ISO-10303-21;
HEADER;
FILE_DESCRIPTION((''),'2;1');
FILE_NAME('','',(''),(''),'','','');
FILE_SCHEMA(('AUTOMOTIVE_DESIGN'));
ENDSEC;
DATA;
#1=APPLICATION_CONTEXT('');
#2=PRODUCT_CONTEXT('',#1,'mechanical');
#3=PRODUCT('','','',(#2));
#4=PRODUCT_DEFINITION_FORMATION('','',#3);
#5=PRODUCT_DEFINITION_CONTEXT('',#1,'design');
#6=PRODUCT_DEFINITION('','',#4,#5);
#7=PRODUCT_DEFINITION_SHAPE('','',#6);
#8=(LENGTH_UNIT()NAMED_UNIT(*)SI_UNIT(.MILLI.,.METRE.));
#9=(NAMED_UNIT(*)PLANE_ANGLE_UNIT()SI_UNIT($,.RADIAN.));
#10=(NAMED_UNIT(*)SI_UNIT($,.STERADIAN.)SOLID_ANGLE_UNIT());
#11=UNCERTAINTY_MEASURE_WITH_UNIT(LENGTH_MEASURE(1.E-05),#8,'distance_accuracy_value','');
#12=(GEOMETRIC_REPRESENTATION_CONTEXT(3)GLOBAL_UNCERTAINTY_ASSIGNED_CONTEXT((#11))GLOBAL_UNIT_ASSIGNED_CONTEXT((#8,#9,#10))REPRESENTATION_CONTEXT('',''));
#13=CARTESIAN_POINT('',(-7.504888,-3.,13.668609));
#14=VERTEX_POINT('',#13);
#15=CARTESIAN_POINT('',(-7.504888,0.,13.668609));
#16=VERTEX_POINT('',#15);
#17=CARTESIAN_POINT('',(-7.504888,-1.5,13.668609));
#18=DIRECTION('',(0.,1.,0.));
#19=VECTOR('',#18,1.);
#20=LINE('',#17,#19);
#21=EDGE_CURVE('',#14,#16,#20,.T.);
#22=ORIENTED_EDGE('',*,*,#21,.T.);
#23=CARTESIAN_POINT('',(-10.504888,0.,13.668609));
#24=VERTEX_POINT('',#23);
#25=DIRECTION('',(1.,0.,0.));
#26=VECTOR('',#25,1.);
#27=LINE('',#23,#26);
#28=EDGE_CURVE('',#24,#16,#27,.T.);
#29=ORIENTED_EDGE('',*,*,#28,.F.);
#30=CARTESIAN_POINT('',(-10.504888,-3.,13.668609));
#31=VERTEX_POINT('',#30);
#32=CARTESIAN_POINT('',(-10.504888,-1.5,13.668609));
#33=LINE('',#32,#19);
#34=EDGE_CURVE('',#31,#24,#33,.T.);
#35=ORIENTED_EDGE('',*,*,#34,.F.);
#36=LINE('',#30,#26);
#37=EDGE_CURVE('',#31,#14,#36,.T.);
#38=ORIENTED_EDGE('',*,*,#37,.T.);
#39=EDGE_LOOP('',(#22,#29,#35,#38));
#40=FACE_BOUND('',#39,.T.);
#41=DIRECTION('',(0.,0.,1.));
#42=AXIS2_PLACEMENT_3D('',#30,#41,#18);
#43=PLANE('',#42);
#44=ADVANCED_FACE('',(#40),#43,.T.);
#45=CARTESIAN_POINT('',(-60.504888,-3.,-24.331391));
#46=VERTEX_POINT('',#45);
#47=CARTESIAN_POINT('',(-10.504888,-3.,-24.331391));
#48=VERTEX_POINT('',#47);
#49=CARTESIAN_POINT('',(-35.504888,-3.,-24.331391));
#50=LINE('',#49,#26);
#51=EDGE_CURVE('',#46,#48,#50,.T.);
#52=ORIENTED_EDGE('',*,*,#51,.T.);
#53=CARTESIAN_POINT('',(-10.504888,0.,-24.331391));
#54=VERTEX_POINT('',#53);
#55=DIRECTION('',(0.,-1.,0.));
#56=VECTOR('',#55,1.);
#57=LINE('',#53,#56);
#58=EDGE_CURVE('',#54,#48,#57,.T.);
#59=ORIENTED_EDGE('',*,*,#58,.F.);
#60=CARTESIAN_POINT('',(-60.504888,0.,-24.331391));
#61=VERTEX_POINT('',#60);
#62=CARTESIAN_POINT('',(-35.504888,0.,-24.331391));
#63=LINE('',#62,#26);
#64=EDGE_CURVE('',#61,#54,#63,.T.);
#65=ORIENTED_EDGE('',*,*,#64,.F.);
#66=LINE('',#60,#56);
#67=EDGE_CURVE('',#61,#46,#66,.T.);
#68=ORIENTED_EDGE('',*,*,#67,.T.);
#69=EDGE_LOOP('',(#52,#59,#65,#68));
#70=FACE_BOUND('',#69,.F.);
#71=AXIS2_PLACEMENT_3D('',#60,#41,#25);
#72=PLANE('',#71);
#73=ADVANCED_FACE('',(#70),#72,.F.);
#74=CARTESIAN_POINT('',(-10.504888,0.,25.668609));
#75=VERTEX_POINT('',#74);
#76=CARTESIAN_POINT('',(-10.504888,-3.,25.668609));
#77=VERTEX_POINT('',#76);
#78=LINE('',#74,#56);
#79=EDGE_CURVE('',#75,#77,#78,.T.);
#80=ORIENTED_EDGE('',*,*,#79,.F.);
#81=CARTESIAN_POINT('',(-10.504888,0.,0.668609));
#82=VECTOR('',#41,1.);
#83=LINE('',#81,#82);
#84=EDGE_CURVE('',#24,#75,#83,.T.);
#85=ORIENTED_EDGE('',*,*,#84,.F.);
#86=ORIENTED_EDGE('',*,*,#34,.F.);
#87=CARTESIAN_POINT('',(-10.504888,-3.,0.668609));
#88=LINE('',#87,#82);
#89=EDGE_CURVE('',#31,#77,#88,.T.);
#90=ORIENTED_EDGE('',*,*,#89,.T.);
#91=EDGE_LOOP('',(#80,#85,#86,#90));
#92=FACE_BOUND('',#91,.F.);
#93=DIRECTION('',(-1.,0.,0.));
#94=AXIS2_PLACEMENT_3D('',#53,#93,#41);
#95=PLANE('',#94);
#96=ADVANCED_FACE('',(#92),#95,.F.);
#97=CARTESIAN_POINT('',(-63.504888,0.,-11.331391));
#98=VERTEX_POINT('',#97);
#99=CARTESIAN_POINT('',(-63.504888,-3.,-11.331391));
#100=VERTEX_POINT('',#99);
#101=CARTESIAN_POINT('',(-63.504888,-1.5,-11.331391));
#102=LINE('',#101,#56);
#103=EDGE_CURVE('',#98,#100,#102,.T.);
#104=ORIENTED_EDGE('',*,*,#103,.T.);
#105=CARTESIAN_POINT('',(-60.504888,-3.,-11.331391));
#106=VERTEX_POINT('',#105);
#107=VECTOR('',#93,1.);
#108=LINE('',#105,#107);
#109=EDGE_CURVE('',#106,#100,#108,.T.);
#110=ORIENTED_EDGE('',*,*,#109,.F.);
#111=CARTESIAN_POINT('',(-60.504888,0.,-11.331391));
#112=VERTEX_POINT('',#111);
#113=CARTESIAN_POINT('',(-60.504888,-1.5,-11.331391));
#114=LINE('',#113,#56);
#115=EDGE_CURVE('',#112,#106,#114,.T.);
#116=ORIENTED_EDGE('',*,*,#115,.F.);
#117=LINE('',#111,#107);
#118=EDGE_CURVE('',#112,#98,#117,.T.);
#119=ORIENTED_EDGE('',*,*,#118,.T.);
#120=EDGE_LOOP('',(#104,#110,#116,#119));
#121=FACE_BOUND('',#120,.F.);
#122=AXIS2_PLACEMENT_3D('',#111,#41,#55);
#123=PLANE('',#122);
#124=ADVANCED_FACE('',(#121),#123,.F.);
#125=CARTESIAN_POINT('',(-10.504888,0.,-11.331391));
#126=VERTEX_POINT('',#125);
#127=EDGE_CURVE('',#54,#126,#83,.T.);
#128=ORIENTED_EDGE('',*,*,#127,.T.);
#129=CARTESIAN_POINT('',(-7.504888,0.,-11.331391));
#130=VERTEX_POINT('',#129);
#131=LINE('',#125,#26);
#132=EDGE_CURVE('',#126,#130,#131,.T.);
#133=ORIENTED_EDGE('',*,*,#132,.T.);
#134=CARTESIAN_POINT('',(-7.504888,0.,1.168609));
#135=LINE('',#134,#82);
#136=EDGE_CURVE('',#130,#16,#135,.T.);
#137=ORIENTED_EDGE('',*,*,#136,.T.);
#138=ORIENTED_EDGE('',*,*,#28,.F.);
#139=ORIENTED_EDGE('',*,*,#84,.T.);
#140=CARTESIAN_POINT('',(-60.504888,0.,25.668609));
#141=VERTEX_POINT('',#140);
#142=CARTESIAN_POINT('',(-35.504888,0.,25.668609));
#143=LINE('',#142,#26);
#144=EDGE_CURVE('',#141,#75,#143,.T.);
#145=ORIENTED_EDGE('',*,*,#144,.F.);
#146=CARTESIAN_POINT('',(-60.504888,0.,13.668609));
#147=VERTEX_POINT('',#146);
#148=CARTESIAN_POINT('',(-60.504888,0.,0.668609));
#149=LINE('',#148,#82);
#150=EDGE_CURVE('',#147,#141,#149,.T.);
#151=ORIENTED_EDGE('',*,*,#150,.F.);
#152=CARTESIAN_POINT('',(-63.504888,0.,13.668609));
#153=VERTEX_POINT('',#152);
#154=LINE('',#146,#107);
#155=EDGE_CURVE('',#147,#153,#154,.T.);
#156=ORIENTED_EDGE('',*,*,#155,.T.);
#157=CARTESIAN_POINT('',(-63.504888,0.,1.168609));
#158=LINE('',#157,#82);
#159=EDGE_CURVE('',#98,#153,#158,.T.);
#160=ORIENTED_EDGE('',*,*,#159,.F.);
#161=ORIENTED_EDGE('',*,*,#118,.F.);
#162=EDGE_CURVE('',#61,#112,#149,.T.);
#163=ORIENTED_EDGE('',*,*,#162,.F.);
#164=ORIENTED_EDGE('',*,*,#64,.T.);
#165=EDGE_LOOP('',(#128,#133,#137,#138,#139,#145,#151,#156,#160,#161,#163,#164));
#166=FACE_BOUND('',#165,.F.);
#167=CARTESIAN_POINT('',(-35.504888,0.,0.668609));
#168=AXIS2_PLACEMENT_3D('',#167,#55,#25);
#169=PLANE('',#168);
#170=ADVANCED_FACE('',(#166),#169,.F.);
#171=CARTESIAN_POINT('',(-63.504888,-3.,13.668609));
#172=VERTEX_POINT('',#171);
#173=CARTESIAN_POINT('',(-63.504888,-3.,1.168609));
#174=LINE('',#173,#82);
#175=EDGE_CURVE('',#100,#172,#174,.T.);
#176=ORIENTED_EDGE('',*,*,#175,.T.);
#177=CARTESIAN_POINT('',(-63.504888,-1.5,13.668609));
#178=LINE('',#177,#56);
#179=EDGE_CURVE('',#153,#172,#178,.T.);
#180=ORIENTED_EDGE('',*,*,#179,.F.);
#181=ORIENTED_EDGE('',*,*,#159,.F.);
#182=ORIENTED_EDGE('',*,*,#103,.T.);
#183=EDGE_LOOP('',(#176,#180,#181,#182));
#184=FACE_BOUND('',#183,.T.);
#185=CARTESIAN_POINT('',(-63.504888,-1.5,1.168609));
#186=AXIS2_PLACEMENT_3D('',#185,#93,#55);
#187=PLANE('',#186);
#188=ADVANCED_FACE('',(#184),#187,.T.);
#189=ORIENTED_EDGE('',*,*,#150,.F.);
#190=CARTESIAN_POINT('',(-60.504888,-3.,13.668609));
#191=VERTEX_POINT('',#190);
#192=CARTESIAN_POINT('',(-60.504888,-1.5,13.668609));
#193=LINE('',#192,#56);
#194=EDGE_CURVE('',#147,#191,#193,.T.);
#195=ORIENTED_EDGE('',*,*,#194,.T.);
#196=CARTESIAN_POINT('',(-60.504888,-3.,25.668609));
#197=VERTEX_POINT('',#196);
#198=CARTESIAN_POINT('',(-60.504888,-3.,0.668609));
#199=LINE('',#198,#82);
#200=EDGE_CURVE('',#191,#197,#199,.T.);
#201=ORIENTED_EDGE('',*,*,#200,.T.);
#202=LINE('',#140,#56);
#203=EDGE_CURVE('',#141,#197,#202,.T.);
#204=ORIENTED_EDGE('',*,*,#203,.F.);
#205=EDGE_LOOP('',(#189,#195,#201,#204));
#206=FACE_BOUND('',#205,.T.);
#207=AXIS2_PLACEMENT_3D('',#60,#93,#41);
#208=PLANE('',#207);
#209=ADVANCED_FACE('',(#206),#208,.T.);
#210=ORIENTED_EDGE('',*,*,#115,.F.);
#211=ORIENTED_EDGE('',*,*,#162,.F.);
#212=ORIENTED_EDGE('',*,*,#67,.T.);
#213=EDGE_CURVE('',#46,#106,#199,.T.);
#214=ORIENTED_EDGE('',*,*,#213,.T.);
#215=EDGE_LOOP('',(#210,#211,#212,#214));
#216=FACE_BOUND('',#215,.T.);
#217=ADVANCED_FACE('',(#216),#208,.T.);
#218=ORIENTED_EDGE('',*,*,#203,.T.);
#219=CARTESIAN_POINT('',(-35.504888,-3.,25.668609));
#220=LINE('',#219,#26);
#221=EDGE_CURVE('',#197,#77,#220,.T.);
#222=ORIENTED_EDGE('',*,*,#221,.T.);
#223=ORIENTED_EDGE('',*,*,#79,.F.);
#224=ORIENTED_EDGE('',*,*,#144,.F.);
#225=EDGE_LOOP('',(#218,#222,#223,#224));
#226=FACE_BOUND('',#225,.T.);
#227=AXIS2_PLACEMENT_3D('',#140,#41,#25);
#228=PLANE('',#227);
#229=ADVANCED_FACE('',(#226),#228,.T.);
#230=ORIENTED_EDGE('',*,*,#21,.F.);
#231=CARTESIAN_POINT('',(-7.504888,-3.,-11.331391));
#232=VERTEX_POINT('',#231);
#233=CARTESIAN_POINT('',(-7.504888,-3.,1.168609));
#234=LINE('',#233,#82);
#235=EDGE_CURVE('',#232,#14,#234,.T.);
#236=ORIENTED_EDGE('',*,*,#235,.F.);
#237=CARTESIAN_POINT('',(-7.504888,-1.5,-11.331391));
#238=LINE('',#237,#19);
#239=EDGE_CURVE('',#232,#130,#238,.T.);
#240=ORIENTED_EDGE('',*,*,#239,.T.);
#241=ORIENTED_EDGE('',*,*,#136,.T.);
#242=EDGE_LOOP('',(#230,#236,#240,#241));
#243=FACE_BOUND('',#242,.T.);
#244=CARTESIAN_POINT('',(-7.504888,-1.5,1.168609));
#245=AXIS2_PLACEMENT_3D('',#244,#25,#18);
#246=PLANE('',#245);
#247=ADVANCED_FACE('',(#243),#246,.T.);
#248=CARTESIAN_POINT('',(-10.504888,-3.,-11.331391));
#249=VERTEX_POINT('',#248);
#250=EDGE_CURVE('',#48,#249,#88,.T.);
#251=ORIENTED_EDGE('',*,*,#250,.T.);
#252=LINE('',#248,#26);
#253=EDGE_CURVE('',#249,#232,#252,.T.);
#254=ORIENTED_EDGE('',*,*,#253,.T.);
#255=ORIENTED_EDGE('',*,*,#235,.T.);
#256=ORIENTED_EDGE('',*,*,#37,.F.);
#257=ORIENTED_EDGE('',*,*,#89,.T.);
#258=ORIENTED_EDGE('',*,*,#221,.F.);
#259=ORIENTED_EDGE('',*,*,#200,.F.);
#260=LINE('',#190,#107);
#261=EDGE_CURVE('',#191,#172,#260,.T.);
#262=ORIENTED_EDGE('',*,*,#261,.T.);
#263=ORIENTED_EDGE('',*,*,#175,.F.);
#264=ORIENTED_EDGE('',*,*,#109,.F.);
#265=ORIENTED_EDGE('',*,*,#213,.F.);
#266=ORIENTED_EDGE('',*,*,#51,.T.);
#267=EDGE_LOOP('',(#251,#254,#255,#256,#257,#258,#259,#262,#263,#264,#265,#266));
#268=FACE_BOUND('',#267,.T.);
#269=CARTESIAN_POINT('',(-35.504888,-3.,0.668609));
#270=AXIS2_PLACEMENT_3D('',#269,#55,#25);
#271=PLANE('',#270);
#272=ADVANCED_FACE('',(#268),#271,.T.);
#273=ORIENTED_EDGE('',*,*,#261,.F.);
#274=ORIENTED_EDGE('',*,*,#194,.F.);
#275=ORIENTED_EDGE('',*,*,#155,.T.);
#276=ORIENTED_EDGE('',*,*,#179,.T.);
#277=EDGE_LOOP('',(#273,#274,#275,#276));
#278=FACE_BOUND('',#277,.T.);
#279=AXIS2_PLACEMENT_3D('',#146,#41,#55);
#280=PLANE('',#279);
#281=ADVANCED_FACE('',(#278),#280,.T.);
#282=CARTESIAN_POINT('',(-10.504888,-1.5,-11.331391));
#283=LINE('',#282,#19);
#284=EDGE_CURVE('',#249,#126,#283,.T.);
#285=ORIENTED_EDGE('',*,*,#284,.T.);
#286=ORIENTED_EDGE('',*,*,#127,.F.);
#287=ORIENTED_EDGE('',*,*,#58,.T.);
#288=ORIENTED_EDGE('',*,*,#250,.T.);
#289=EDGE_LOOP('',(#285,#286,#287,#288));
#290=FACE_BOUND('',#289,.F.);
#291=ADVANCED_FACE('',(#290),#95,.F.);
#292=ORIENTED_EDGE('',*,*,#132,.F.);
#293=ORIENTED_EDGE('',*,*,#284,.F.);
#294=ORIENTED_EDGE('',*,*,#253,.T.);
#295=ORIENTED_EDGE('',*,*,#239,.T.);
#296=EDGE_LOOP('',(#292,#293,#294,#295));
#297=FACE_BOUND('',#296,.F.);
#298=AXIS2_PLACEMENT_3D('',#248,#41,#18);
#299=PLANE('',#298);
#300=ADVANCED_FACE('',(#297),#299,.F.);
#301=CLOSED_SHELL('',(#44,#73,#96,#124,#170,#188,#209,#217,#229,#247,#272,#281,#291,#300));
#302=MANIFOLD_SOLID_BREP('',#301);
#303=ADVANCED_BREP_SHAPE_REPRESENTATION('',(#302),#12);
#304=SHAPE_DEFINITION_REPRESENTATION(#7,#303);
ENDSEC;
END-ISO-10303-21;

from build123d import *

# Parameters (mm, degrees)
F0_W     = 50
F0_H     = 50
F1_DEPTH = 3
F2_W     = 3
F2_H     = 25
F3_DEPTH = 3
F4_W     = 3
F4_H     = 25
F5_DEPTH = 3


with BuildPart() as f1:
    # F0 (on Front) → F1 (new body)
    with BuildSketch(Plane.XZ):
        with Locations((-35.504888, 0.668609)):
            Rectangle(F0_W, F0_H)
    extrude(amount=F1_DEPTH)

    # F2 (on face) → F3 (join)
    with BuildSketch(Plane.YZ.offset(-10.504888)):
        with Locations((-1.5, 1.168609)):
            Rectangle(F2_W, F2_H)
    extrude(amount=F3_DEPTH)

    # F4 (on face) → F5 (join)
    with BuildSketch(Plane(origin=(-60.504888, 0, 0), x_dir=(0, -1, 0), z_dir=(-1, 0, 0))):
        with Locations((1.5, 1.168609)):
            Rectangle(F4_W, F4_H)
    extrude(amount=F5_DEPTH)


solid = f1.part
